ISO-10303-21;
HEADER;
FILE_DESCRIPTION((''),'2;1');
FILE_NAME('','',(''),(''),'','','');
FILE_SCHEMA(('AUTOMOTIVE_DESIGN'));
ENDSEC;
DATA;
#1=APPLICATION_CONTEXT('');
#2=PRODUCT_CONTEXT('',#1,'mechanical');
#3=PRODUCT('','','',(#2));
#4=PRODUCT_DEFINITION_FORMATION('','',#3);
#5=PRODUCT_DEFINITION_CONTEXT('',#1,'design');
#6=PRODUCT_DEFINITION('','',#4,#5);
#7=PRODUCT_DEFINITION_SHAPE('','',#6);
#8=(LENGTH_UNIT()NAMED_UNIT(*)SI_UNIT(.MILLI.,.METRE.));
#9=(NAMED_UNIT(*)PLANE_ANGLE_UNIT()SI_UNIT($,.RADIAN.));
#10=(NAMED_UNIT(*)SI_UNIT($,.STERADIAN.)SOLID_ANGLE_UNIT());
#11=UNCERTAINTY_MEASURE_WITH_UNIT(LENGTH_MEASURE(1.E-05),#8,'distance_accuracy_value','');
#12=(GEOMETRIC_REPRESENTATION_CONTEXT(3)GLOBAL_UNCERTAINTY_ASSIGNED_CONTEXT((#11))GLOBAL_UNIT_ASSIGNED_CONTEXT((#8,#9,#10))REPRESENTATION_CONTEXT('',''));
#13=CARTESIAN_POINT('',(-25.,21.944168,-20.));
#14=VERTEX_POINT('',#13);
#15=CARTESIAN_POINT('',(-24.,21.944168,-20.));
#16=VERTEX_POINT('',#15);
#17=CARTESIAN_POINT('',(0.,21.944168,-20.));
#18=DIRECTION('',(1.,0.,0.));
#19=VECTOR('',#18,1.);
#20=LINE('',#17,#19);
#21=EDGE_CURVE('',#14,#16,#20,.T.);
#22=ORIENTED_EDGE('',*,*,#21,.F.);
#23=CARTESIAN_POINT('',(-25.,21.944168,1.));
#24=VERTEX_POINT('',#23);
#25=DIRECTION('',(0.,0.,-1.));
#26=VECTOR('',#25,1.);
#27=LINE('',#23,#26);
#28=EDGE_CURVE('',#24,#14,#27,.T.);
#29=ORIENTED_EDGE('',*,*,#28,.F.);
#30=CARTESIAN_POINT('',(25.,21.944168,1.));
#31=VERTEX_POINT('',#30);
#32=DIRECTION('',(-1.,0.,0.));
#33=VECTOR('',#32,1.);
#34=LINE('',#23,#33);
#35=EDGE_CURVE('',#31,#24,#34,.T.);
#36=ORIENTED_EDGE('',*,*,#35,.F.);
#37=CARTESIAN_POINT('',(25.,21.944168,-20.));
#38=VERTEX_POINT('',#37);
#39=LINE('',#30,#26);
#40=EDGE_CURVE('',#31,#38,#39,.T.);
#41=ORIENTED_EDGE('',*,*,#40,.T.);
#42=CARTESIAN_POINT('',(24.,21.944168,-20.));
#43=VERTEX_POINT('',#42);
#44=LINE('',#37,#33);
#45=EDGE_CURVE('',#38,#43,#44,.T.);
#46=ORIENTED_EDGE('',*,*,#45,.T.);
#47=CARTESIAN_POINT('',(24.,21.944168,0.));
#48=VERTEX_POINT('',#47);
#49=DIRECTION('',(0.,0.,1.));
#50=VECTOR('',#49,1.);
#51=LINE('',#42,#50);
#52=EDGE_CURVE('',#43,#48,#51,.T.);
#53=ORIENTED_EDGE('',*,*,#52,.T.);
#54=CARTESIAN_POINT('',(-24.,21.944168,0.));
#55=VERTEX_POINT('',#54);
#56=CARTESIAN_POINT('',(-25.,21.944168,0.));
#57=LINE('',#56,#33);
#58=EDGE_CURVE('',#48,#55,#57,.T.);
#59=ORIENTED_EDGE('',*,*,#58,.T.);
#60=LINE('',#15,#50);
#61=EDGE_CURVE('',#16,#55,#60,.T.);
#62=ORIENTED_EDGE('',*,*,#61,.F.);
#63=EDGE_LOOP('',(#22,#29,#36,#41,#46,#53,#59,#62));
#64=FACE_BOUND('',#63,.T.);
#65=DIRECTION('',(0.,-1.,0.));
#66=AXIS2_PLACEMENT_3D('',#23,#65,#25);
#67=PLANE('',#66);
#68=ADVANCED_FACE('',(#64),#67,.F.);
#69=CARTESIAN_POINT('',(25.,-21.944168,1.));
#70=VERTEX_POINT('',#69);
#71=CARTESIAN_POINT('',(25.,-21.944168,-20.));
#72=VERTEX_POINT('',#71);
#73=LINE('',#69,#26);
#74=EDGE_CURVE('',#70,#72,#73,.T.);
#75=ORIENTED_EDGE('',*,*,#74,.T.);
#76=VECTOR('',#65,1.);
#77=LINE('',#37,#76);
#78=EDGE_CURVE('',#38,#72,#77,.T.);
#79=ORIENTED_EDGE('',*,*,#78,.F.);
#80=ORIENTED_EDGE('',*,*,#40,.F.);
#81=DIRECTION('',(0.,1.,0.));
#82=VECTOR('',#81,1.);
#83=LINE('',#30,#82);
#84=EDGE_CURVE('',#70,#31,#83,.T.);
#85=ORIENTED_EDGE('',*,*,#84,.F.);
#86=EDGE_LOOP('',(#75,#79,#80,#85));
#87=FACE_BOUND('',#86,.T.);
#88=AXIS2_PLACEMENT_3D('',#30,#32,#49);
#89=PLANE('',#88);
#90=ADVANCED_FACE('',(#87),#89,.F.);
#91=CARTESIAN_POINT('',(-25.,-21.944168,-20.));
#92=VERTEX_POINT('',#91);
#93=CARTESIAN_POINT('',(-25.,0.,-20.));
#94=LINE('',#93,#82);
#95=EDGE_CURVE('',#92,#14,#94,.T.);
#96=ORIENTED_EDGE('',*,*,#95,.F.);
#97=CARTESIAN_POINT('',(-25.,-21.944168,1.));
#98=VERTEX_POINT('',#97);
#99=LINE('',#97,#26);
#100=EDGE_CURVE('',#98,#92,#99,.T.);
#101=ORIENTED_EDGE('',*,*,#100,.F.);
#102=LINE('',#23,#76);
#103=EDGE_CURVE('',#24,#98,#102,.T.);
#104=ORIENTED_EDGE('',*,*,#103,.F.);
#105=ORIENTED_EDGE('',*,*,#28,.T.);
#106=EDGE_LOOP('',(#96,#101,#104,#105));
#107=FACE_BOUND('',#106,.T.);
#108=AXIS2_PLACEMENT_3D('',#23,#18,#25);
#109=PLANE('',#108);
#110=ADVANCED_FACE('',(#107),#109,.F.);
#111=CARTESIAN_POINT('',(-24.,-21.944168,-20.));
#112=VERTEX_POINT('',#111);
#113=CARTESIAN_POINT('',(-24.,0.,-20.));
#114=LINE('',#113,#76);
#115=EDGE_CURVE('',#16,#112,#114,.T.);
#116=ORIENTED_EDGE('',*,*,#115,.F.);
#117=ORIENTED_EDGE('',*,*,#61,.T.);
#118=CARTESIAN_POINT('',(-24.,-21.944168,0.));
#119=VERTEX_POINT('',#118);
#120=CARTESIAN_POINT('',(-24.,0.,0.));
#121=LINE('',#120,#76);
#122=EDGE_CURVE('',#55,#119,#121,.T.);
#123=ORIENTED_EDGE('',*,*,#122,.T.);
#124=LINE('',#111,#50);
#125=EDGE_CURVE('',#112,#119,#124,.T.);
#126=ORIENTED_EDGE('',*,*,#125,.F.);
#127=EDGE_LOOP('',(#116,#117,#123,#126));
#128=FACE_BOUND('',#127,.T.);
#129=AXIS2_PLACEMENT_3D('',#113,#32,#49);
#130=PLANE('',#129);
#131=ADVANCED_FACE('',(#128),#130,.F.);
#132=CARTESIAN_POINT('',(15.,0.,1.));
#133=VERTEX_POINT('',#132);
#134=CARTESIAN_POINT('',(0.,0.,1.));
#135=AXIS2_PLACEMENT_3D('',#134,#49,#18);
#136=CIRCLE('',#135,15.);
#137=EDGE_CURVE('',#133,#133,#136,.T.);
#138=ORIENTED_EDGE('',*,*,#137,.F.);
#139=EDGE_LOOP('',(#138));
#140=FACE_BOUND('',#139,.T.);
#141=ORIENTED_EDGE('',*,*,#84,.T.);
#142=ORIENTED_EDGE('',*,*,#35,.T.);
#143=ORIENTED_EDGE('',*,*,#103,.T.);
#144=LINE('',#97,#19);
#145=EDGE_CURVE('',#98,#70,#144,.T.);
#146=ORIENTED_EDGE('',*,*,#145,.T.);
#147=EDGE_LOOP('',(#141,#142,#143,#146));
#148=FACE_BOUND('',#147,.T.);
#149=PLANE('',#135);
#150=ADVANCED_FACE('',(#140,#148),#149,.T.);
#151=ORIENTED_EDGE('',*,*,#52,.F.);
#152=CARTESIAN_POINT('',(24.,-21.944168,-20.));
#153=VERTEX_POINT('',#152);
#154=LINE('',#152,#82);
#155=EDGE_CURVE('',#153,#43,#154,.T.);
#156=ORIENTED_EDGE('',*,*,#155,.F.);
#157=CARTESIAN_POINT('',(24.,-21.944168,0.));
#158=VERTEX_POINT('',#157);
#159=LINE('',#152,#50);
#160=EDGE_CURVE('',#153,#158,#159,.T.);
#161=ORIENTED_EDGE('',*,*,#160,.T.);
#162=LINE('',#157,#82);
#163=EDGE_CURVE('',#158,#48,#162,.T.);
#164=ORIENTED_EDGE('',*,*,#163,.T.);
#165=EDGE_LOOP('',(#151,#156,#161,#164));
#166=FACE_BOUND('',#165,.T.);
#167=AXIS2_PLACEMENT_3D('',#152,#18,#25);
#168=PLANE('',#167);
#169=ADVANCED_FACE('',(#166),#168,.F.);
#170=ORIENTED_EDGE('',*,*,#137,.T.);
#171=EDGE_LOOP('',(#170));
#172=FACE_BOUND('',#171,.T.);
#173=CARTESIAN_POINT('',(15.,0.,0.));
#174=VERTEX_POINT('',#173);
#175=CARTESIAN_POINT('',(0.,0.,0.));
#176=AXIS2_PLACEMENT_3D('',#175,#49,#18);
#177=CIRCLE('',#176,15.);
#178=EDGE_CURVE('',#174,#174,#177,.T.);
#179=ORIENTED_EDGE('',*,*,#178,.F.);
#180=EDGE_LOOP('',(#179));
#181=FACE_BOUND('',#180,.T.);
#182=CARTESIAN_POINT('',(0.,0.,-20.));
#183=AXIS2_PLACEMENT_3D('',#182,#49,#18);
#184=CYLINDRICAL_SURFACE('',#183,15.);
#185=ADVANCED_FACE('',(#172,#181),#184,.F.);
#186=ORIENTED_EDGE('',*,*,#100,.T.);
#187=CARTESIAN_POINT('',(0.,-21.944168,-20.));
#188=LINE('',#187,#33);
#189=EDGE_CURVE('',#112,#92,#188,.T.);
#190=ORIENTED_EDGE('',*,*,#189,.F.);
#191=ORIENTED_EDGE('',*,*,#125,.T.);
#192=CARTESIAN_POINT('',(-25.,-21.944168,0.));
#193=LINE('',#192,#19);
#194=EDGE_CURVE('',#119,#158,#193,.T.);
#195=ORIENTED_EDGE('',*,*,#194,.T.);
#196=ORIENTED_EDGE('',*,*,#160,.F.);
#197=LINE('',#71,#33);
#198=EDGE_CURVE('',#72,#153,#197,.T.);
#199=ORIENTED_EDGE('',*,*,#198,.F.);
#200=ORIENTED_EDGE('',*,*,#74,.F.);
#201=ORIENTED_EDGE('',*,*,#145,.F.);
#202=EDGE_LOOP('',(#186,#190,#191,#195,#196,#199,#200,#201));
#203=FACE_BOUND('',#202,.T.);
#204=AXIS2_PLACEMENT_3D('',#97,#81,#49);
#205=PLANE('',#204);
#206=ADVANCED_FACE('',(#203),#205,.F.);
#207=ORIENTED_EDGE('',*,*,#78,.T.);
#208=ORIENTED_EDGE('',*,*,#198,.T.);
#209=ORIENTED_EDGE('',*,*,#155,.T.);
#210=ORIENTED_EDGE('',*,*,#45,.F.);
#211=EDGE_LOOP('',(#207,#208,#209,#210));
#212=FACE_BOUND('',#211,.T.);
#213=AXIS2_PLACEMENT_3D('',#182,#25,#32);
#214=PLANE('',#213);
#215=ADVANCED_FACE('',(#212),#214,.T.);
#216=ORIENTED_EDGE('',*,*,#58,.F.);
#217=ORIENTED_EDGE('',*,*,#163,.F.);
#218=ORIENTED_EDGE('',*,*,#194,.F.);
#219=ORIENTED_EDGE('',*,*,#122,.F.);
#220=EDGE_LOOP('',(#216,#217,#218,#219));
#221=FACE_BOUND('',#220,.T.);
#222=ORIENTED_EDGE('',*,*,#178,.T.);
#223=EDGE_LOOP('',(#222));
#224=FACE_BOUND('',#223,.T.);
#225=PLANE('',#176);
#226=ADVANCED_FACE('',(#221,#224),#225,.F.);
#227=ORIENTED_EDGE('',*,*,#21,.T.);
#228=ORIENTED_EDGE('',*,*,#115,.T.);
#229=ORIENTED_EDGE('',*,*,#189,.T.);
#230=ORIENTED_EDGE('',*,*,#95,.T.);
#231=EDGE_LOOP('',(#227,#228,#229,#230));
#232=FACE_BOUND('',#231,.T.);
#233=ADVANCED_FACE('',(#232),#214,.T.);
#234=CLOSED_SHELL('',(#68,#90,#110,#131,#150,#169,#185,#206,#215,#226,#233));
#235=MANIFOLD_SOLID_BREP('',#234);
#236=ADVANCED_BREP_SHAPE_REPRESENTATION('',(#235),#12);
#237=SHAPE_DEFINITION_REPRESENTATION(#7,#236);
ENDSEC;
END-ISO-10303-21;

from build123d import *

# Parameters (mm, degrees)
SKETCH1_W           = 50.000000596
SKETCH1_H           = 43.88833532
BOSS_EXTRUDE1_DEPTH = 1
SKETCH2_W           = 1
SKETCH2_H           = 43.88833532
BOSS_EXTRUDE3_DEPTH = 20
SKETCH3_R           = 15
CUT_EXTRUDE1_DEPTH  = 40.338867665


with BuildPart() as part:
    # Sketch1 → Boss-Extrude1 (new body)
    with BuildSketch(Plane.XY):
        Rectangle(SKETCH1_W, SKETCH1_H)
    extrude(amount=BOSS_EXTRUDE1_DEPTH)

    # Sketch2 → Boss-Extrude3 (add)
    with BuildSketch(Plane(origin=(0, 0, 0), x_dir=(-1, 0, 0), z_dir=(0, 0, -1))):
        Polygon((25.000000298, 21.94416766), (24.000000298, 21.94416766), (24.000000298, -21.94416766), (25.000000298, -21.94416766), (25.000000298, 21.001254621), align=None)
        with Locations((-24.500000298, 0)):
            Rectangle(SKETCH2_W, SKETCH2_H)
    extrude(amount=BOSS_EXTRUDE3_DEPTH)

    # Sketch3 → Cut-Extrude1 (cut, through all)
    with BuildSketch(Plane.XY.offset(1)):
        Circle(SKETCH3_R)
    extrude(amount=-CUT_EXTRUDE1_DEPTH, mode=Mode.SUBTRACT)


solid = part.part
